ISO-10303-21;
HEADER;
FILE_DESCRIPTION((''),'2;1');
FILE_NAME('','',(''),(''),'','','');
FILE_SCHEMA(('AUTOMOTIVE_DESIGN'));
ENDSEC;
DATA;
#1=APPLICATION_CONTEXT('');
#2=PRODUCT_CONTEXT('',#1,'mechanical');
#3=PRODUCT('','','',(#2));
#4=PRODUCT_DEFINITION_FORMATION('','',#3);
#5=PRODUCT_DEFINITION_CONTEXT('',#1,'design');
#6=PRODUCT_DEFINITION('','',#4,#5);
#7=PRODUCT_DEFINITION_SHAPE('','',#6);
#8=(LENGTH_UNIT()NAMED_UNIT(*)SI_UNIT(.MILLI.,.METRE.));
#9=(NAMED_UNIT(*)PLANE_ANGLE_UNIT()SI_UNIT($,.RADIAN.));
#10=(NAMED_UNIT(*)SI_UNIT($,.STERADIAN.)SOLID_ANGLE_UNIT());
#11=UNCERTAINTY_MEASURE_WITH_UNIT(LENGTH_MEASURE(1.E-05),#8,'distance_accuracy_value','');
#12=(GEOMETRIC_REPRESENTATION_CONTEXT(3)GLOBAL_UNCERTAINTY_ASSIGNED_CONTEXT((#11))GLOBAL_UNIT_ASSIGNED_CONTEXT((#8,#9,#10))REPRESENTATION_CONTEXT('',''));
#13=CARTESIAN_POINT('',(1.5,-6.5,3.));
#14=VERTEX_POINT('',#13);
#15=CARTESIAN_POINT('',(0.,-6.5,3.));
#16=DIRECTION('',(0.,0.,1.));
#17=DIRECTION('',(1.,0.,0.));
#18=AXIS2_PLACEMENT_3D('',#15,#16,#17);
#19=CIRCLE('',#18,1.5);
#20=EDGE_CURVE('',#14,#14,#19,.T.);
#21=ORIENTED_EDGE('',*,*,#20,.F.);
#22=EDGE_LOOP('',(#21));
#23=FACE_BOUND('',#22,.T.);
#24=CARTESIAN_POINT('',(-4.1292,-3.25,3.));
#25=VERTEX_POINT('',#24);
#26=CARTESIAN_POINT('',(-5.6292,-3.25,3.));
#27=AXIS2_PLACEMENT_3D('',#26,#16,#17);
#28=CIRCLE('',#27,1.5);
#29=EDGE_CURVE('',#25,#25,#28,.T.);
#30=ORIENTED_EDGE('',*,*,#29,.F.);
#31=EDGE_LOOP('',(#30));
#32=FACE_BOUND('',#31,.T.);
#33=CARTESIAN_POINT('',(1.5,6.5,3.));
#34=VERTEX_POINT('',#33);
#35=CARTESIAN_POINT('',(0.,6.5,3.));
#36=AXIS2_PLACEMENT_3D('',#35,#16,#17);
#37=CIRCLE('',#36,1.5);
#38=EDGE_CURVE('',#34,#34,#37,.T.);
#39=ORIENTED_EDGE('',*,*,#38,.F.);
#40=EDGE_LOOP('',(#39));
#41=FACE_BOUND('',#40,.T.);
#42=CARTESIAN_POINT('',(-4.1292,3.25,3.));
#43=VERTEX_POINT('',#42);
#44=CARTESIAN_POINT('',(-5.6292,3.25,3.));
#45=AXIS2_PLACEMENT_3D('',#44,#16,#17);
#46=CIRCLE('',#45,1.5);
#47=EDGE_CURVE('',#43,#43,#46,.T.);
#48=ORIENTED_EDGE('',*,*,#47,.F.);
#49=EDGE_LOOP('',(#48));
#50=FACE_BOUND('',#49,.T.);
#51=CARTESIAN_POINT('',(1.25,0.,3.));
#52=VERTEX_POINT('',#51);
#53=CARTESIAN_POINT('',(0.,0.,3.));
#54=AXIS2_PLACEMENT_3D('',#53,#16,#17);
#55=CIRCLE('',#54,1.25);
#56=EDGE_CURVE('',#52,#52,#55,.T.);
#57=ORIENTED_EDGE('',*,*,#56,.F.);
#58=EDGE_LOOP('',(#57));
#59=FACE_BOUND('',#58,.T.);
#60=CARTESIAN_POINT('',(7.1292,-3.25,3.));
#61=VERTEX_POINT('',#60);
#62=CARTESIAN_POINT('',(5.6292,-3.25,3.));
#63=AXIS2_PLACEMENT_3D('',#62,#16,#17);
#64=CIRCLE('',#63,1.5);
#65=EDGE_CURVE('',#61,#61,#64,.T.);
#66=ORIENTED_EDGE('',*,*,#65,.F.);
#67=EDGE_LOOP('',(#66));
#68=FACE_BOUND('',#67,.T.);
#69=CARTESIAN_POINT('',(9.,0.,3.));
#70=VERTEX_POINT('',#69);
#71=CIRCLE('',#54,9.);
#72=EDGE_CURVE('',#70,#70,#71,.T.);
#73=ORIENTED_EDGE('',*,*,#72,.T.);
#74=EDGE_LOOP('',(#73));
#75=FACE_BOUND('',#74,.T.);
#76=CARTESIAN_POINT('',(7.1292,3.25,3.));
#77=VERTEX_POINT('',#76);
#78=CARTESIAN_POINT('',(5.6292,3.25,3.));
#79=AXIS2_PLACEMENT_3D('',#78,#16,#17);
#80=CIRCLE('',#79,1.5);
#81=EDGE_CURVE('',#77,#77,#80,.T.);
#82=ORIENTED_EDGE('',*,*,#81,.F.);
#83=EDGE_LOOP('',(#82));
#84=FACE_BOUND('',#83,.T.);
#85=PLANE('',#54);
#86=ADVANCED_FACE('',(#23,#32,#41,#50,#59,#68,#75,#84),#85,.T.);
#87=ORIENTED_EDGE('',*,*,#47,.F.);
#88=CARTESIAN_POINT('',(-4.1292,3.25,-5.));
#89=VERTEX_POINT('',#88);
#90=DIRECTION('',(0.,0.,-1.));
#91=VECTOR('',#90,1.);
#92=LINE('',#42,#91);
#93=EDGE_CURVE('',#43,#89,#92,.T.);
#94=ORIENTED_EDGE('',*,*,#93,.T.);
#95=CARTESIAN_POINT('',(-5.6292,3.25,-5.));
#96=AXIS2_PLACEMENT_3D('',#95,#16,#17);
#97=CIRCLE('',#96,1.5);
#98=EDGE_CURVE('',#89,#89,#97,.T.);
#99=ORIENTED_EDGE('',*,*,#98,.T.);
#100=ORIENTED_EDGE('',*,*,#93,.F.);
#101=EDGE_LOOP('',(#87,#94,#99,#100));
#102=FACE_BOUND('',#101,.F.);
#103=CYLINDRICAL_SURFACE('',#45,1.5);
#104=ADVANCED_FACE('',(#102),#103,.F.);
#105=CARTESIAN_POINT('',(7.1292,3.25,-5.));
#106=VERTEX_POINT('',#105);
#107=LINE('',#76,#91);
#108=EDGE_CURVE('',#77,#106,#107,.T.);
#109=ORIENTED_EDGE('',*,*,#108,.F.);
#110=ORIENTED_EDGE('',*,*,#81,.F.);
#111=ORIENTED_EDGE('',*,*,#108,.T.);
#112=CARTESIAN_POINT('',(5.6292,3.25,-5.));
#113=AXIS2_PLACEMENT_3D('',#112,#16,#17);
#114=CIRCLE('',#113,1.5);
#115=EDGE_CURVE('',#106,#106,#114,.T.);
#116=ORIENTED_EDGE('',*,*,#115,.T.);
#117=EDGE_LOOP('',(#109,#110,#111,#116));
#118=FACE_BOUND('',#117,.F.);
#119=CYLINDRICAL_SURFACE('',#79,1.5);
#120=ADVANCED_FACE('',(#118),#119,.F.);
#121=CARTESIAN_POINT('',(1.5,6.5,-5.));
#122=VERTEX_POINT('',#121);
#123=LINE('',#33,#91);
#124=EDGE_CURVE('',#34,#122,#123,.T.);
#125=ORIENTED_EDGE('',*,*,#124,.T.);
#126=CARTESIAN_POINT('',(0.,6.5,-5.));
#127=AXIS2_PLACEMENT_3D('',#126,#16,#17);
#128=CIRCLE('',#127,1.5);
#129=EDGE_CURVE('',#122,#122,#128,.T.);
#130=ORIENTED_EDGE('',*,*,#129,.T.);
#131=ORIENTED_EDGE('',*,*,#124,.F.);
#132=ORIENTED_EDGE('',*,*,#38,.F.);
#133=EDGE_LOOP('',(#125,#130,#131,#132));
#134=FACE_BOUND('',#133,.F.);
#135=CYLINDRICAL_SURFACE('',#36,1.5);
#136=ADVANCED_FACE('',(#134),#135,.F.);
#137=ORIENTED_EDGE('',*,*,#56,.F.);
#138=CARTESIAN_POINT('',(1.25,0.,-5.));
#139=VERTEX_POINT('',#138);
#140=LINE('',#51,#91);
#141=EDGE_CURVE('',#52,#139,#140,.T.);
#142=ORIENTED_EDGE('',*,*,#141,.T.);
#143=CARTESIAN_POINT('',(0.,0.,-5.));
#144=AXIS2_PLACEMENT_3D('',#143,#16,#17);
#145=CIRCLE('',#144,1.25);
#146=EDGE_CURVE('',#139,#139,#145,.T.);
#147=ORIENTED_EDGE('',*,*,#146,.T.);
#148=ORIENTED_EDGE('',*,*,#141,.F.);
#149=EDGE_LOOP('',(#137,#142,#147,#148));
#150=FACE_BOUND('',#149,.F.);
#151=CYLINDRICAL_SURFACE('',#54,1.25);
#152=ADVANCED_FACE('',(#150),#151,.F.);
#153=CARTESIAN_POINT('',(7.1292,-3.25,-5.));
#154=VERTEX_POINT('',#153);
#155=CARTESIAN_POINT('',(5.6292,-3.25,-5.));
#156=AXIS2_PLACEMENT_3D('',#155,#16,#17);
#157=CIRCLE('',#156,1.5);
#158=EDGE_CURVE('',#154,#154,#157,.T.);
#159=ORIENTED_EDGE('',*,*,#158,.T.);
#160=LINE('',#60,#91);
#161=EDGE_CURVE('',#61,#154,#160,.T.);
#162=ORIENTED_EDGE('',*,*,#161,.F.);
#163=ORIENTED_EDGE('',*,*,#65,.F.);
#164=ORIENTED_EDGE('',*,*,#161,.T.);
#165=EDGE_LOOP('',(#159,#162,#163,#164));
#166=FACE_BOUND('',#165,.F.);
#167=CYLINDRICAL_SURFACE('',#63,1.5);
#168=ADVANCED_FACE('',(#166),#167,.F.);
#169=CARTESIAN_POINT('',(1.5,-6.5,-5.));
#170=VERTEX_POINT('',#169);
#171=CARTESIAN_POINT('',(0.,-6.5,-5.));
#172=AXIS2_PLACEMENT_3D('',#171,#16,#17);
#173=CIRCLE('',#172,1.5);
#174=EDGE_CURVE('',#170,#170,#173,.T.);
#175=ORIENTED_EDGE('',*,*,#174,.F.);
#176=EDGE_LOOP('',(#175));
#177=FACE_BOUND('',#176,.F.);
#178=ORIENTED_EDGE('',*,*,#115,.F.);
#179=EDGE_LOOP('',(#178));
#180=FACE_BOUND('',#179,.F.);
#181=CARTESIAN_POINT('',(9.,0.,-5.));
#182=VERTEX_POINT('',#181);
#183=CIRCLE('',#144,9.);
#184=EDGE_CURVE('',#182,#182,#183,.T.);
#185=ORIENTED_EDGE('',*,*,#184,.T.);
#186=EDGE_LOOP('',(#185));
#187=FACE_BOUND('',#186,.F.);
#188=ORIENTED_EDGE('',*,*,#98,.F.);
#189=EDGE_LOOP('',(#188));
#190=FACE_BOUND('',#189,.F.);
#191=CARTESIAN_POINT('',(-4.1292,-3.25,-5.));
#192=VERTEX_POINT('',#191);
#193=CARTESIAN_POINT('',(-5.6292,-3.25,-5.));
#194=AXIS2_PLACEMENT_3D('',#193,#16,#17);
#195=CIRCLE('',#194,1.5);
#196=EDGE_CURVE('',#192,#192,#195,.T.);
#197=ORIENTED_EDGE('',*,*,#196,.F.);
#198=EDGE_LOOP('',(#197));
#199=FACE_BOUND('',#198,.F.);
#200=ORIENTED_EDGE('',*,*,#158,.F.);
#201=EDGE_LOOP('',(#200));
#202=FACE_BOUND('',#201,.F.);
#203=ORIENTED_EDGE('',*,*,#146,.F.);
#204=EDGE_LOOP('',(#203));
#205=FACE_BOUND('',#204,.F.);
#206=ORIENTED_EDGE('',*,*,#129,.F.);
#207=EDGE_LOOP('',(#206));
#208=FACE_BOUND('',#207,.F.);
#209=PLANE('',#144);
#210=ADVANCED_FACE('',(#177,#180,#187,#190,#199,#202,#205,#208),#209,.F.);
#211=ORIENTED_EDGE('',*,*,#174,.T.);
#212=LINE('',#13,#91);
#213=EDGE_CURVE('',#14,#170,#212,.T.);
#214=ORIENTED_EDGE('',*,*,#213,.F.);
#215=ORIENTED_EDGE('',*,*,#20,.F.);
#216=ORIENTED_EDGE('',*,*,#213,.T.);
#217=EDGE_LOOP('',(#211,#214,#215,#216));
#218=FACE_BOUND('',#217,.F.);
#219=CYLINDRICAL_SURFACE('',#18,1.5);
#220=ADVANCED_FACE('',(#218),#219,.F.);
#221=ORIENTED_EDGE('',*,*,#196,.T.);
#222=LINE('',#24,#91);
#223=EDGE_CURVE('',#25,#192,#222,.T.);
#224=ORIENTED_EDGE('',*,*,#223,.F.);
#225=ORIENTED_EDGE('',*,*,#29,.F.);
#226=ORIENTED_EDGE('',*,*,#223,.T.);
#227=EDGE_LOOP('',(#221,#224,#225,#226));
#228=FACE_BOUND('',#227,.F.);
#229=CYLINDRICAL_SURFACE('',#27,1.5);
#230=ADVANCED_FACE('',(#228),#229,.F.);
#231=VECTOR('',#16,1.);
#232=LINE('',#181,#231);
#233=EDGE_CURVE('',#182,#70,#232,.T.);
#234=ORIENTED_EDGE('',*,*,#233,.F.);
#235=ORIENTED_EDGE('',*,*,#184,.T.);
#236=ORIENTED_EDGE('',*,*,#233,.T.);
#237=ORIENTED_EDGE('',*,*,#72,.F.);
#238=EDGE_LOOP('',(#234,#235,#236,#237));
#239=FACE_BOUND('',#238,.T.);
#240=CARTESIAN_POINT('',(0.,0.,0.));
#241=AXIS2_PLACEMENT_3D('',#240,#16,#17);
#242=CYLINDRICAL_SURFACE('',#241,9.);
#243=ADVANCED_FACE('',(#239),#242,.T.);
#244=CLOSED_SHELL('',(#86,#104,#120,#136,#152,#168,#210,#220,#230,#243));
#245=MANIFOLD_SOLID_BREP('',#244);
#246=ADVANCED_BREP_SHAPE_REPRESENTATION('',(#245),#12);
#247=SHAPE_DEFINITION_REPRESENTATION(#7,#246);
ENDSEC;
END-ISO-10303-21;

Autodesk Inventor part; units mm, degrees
ref_plane "YZ Plane" through (0, 0, 0) normal (1, 0, 0) x (0, 1, 0)
ref_plane "XZ Plane" through (0, 0, 0) normal (0, 1, 0) x (-1, 0, 0)
ref_plane "XY Plane" through (0, 0, 0) normal (0, 0, 1) x (1, 0, 0)
sketch "Sketch1" plane through (0, 0, 0) normal (0, 0, 1) x (1, 0, 0)
  circle A0 centre (0, 0) radius 4 projected
  circle A1 centre (0, 0) radius 9
  point P0 (0, 0)
  dimension "d0" = 18
extrude "Extrusion1" add sketch "Sketch1" along normal blind 3 and the other way blind 5 contours A0 | A1
sketch "Sketch2" plane through (0, 0, 3) normal (0, 0, 1) x (1, 0, 0)
  circle A0 centre (0, 0) radius 6.5 construction
  circle A1 centre (0, 6.5) radius 1.5
  circle A2 centre (-5.6292, 3.25) radius 1.5
  circle A3 centre (-5.6292, -3.25) radius 1.5
  circle A4 centre (0, -6.5) radius 1.5
  circle A5 centre (5.6292, -3.25) radius 1.5
  circle A6 centre (5.6292, 3.25) radius 1.5
  dimension "d5" = 13
  dimension "d6" = 3
  dimension "d9" = 360
extrude "Extrusion2" cut sketch "Sketch2" against normal through all
sketch "Sketch3" plane through (0, 0, 3) normal (0, 0, 1) x (1, 0, 0)
  circle A0 centre (0, 0) radius 1.25
  dimension "d13" = 2.5
extrude "Extrusion3" cut sketch "Sketch3" against normal through all
properties part number "servo shaft flange"
